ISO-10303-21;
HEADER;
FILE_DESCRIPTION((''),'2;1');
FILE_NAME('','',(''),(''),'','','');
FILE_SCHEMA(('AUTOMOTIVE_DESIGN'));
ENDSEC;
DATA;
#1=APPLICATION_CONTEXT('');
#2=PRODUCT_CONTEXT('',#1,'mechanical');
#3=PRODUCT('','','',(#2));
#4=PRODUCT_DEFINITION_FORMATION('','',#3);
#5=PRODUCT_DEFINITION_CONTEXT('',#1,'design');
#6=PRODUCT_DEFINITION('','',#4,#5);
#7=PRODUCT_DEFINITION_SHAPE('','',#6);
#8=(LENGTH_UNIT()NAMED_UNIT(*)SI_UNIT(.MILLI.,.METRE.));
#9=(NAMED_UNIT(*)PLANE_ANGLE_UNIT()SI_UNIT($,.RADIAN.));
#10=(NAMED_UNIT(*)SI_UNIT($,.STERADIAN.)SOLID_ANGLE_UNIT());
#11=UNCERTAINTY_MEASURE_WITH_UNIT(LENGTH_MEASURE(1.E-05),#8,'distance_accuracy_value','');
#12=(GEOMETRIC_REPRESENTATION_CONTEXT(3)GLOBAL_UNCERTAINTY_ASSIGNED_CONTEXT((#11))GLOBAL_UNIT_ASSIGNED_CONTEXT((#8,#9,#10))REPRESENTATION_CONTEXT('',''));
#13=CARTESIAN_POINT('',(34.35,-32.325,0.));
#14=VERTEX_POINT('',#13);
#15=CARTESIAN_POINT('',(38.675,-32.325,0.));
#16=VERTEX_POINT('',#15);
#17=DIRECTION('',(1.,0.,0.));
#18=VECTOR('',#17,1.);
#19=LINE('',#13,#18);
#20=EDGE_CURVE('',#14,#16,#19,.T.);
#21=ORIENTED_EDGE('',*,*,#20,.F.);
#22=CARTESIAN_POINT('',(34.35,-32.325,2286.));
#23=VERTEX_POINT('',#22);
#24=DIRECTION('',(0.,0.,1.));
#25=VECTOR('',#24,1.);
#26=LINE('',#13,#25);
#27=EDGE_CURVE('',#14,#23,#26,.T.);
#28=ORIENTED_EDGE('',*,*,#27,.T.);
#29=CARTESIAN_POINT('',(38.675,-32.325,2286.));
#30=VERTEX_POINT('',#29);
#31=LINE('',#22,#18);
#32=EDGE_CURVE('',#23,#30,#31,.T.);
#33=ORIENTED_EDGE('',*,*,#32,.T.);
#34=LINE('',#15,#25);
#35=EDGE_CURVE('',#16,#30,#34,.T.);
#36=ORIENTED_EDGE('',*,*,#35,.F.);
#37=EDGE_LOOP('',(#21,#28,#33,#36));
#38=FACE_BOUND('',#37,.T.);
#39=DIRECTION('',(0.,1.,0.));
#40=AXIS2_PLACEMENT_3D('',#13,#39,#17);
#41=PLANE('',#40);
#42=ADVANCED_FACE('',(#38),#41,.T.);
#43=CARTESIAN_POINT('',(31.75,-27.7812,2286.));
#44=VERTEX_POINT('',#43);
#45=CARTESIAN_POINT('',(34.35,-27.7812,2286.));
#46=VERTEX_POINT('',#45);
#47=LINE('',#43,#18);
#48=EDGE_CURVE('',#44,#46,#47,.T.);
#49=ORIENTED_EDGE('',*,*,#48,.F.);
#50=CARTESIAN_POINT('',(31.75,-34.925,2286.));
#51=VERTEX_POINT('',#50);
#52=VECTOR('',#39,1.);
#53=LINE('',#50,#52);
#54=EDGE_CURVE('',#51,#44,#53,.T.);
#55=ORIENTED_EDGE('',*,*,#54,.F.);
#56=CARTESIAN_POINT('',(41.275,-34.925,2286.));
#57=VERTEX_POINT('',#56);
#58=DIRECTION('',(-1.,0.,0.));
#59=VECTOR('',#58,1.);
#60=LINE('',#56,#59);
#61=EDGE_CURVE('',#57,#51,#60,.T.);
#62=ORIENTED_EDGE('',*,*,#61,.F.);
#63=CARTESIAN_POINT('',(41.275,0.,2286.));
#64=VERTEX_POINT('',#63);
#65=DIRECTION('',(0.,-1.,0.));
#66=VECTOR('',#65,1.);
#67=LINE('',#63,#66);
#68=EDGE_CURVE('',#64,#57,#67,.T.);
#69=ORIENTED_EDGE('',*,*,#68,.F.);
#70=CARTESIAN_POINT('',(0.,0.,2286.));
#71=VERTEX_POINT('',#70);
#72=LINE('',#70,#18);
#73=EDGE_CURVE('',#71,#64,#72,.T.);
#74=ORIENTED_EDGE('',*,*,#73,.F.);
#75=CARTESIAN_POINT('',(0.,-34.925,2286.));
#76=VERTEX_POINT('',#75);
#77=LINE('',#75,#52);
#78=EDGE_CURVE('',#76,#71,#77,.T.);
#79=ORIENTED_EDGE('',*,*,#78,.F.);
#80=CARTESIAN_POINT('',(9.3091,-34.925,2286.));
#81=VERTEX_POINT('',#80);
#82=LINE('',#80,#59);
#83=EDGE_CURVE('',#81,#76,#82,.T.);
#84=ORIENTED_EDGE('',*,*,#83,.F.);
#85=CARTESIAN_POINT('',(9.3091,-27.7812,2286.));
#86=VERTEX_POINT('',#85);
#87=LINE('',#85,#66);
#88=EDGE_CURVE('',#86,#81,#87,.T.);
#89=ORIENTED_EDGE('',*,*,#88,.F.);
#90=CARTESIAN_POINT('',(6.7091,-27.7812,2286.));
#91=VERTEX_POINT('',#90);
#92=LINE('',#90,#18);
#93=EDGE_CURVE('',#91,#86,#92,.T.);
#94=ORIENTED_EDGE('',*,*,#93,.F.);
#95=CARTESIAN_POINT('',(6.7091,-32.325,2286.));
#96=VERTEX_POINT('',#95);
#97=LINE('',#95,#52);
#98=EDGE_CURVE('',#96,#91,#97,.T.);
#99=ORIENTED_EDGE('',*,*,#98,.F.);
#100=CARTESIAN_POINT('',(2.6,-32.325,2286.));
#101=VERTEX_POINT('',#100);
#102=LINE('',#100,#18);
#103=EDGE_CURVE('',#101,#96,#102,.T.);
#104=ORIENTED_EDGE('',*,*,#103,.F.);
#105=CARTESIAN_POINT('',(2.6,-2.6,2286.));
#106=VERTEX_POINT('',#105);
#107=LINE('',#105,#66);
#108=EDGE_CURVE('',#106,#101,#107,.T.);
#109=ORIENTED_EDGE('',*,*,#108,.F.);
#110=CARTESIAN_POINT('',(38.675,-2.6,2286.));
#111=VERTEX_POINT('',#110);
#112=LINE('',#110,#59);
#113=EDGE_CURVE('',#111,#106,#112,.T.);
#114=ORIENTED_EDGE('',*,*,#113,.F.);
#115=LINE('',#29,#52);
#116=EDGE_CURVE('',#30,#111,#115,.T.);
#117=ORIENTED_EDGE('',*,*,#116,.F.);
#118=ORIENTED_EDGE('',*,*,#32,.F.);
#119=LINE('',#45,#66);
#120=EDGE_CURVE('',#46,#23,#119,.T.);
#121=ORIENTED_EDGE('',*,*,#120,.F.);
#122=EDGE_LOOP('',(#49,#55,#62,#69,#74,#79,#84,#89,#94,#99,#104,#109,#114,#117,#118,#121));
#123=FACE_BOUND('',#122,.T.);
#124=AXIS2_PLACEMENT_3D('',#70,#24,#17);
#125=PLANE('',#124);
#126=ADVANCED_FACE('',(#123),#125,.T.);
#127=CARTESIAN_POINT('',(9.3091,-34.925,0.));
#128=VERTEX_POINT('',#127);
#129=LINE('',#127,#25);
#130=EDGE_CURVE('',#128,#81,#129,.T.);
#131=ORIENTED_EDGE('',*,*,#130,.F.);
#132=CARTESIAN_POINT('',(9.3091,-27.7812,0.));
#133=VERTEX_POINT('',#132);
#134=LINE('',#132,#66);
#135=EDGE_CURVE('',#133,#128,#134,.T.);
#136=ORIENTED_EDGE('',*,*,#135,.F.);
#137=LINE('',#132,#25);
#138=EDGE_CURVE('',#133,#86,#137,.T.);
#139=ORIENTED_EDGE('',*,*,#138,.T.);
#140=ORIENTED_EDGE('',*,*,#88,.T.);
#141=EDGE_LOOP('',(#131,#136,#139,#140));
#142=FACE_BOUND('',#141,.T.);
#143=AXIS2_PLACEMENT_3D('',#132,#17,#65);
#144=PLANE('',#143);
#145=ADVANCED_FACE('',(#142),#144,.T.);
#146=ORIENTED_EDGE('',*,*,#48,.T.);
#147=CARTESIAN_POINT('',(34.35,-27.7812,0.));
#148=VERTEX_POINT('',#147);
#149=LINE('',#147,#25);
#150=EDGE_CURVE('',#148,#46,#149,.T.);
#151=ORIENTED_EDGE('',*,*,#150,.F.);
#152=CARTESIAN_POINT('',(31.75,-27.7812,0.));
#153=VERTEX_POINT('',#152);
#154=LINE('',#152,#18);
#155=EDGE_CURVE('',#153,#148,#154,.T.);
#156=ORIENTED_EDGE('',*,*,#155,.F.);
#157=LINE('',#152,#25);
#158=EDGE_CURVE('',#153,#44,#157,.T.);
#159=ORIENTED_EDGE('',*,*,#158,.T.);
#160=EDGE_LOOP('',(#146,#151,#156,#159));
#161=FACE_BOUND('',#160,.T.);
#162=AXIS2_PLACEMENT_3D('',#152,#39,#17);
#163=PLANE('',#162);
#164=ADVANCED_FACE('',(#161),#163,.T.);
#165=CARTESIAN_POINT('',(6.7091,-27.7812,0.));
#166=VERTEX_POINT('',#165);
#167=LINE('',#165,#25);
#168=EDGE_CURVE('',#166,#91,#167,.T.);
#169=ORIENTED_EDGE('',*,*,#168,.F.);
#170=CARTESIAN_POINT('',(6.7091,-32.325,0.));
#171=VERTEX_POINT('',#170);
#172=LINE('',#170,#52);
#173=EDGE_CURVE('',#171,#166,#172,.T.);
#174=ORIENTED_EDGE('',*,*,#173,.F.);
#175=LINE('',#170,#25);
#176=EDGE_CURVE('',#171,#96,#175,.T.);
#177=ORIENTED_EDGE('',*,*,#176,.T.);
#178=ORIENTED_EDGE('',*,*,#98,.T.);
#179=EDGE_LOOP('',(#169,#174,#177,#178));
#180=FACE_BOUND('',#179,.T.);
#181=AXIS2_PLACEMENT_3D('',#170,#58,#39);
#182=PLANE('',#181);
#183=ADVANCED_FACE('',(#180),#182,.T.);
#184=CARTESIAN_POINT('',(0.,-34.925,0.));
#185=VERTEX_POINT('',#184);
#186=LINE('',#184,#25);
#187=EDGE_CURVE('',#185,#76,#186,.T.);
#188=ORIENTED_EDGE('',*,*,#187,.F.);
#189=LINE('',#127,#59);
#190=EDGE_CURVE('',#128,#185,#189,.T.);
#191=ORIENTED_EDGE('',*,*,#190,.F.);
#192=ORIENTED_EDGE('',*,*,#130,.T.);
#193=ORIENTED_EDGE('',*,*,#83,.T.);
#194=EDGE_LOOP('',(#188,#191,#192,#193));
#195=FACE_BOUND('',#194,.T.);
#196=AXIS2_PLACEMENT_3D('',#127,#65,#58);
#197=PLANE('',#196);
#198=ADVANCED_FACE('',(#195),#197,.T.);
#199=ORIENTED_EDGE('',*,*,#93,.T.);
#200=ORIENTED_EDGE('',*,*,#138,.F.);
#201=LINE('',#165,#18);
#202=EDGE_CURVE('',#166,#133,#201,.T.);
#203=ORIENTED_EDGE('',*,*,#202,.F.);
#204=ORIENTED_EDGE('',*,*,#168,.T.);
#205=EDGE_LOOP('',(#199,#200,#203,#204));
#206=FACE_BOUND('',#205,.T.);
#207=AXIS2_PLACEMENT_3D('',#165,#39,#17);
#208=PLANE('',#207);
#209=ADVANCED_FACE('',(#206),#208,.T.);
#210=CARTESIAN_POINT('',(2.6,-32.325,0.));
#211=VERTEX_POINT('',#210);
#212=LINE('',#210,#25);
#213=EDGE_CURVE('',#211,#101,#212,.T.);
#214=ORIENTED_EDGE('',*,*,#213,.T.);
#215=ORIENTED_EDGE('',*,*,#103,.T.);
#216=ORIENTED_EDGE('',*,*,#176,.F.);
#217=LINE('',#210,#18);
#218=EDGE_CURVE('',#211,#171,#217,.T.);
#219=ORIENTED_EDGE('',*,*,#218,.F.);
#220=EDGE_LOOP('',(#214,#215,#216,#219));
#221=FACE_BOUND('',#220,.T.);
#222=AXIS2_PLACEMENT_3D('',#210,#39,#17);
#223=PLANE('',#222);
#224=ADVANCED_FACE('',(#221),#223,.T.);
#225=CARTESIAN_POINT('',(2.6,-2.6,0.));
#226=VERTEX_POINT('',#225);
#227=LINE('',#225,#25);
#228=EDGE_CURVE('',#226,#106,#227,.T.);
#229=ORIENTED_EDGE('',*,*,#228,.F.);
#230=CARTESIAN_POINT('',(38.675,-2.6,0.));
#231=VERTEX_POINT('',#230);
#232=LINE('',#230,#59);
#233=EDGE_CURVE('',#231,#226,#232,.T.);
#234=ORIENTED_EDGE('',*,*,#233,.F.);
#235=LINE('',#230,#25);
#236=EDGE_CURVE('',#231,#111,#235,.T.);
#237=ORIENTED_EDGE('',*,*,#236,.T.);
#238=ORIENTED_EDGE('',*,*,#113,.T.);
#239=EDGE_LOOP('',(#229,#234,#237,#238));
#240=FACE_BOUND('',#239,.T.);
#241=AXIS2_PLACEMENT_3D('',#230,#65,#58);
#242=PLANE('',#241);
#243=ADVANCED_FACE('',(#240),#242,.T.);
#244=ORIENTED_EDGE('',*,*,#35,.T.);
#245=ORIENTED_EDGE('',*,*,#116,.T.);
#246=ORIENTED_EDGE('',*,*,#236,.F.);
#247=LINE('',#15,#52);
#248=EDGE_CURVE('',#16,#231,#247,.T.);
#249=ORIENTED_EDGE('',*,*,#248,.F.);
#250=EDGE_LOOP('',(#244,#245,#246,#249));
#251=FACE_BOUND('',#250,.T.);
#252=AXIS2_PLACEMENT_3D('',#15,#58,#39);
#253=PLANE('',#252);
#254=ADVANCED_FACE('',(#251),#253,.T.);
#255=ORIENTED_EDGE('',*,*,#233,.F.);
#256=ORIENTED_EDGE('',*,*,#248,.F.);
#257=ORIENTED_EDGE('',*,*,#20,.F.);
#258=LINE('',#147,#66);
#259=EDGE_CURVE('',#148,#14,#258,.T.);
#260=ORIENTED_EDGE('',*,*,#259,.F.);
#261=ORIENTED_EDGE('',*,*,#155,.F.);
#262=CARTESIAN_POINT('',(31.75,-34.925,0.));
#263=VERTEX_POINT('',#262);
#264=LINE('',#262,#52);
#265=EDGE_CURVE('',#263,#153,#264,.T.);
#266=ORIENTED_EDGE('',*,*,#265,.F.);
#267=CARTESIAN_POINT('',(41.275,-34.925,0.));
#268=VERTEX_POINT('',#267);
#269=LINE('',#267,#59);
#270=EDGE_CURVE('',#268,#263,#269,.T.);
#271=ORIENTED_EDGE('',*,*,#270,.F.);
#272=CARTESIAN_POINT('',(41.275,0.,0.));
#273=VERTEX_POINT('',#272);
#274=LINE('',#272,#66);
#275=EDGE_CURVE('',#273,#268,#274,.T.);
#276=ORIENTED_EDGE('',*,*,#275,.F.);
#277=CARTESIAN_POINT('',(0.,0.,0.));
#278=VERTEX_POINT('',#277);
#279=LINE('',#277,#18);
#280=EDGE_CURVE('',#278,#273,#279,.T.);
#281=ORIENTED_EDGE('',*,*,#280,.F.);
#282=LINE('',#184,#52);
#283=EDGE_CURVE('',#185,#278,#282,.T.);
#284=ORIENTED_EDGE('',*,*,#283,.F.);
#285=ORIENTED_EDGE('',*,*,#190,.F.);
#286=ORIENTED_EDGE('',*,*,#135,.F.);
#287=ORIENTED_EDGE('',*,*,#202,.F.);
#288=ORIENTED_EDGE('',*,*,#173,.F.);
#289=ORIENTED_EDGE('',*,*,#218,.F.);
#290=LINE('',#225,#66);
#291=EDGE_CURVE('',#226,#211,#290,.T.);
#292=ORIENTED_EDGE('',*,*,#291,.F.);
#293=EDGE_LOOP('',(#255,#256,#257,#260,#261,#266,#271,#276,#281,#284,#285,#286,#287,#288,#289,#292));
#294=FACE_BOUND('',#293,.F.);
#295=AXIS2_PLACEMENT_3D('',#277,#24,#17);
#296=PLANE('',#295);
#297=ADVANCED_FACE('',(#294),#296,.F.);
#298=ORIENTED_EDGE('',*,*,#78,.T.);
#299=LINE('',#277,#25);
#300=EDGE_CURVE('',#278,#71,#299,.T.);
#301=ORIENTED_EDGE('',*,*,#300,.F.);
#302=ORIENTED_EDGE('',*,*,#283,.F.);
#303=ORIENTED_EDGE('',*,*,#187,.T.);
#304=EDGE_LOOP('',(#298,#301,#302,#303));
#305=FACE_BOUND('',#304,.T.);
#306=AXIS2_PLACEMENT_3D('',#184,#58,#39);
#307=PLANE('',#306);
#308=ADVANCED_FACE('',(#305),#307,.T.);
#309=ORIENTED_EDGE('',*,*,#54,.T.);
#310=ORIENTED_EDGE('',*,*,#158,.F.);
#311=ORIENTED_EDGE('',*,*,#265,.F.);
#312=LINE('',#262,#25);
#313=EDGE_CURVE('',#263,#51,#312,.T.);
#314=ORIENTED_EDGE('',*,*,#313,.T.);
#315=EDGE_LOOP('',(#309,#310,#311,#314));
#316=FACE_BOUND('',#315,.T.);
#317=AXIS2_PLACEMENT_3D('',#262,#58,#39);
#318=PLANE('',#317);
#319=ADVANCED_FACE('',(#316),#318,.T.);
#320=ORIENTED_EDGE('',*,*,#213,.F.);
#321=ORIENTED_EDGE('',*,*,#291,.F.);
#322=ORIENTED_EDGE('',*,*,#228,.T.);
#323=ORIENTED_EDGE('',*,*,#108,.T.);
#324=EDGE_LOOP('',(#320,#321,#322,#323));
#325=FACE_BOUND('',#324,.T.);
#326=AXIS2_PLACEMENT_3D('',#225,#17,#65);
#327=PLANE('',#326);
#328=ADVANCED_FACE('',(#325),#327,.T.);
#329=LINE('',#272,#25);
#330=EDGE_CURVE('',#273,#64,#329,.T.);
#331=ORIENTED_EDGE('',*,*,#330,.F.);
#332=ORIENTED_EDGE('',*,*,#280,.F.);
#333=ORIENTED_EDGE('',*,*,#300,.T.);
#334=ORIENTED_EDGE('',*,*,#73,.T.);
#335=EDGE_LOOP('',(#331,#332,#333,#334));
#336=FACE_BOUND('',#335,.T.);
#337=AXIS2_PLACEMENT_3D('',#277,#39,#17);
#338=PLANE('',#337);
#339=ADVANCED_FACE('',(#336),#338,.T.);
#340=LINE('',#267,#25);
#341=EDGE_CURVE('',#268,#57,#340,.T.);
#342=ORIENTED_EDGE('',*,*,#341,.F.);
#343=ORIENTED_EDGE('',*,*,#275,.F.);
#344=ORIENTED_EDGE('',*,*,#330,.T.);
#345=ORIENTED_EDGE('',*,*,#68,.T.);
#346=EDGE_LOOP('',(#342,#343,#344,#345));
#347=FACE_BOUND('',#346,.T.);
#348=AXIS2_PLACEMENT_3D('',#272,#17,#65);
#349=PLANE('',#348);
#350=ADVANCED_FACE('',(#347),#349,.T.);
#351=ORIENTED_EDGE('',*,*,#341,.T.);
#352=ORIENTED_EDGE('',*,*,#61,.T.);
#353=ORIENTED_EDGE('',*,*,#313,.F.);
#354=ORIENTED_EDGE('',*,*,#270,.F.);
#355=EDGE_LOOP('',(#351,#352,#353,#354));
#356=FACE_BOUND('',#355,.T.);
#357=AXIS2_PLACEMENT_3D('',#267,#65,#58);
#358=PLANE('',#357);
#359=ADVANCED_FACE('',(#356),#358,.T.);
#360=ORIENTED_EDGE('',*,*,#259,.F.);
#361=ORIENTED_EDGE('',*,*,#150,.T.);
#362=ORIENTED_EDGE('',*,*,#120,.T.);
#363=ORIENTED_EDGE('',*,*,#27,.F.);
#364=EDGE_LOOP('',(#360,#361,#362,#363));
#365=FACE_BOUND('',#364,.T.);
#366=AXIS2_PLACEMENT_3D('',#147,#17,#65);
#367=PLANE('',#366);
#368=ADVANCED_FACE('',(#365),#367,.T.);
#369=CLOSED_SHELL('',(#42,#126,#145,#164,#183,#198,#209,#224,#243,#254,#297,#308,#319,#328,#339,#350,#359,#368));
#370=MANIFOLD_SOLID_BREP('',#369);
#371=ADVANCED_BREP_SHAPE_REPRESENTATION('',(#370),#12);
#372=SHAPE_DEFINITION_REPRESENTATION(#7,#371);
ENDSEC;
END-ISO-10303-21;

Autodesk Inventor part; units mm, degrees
ref_plane "YZ Plane" through (0, 0, 0) normal (1, 0, 0) x (0, 1, 0)
ref_plane "XZ Plane" through (0, 0, 0) normal (0, 1, 0) x (-1, 0, 0)
ref_plane "XY Plane" through (0, 0, 0) normal (0, 0, 1) x (1, 0, 0)
sketch "Sketch1" plane through (0, 0, 0) normal (0, 0, 1) x (1, 0, 0)
  line L0 (0, 0) -> (41.275, 0)
  line L1 (41.275, 0) -> (41.275, -34.925)
  line L2 (41.275, -34.925) -> (31.75, -34.925)
  line L3 (31.75, -34.925) -> (31.75, -27.7812)
  line L4 (31.75, -27.7812) -> (34.35, -27.7812)
  line L5 (34.35, -27.7812) -> (34.35, -32.325)
  line L6 (34.35, -32.325) -> (38.675, -32.325)
  line L7 (38.675, -32.325) -> (38.675, -2.6)
  line L8 (38.675, -2.6) -> (2.6, -2.6)
  line L9 (0, -34.925) -> (0, 0)
  line L10 (2.6, -2.6) -> (2.6, -32.325)
  line L11 (2.6, -32.325) -> (6.7091, -32.325)
  line L12 (6.7091, -32.325) -> (6.7091, -27.7812)
  line L13 (6.7091, -27.7812) -> (9.3091, -27.7812)
  line L14 (9.3091, -27.7812) -> (9.3091, -34.925)
  line L15 (9.3091, -34.925) -> (0, -34.925)
  dimension "d0" = 41.275
  dimension "d1" = 34.925
  dimension "d4" = 9.525
  dimension "d5" = 7.1437
  dimension "d6" = 2.6
  dimension "d7" = 2.6
  dimension "d8" = 2.6
  dimension "d9" = 2.6
  dimension "d11" = 2.6
  dimension "d12" = 2.6
  dimension "d13" = 7.1437
  dimension "d14" = 2.6
extrude "Extrusion1" add sketch "Sketch1" along normal blind 2286
properties part number "LongStrut84Sec1"
